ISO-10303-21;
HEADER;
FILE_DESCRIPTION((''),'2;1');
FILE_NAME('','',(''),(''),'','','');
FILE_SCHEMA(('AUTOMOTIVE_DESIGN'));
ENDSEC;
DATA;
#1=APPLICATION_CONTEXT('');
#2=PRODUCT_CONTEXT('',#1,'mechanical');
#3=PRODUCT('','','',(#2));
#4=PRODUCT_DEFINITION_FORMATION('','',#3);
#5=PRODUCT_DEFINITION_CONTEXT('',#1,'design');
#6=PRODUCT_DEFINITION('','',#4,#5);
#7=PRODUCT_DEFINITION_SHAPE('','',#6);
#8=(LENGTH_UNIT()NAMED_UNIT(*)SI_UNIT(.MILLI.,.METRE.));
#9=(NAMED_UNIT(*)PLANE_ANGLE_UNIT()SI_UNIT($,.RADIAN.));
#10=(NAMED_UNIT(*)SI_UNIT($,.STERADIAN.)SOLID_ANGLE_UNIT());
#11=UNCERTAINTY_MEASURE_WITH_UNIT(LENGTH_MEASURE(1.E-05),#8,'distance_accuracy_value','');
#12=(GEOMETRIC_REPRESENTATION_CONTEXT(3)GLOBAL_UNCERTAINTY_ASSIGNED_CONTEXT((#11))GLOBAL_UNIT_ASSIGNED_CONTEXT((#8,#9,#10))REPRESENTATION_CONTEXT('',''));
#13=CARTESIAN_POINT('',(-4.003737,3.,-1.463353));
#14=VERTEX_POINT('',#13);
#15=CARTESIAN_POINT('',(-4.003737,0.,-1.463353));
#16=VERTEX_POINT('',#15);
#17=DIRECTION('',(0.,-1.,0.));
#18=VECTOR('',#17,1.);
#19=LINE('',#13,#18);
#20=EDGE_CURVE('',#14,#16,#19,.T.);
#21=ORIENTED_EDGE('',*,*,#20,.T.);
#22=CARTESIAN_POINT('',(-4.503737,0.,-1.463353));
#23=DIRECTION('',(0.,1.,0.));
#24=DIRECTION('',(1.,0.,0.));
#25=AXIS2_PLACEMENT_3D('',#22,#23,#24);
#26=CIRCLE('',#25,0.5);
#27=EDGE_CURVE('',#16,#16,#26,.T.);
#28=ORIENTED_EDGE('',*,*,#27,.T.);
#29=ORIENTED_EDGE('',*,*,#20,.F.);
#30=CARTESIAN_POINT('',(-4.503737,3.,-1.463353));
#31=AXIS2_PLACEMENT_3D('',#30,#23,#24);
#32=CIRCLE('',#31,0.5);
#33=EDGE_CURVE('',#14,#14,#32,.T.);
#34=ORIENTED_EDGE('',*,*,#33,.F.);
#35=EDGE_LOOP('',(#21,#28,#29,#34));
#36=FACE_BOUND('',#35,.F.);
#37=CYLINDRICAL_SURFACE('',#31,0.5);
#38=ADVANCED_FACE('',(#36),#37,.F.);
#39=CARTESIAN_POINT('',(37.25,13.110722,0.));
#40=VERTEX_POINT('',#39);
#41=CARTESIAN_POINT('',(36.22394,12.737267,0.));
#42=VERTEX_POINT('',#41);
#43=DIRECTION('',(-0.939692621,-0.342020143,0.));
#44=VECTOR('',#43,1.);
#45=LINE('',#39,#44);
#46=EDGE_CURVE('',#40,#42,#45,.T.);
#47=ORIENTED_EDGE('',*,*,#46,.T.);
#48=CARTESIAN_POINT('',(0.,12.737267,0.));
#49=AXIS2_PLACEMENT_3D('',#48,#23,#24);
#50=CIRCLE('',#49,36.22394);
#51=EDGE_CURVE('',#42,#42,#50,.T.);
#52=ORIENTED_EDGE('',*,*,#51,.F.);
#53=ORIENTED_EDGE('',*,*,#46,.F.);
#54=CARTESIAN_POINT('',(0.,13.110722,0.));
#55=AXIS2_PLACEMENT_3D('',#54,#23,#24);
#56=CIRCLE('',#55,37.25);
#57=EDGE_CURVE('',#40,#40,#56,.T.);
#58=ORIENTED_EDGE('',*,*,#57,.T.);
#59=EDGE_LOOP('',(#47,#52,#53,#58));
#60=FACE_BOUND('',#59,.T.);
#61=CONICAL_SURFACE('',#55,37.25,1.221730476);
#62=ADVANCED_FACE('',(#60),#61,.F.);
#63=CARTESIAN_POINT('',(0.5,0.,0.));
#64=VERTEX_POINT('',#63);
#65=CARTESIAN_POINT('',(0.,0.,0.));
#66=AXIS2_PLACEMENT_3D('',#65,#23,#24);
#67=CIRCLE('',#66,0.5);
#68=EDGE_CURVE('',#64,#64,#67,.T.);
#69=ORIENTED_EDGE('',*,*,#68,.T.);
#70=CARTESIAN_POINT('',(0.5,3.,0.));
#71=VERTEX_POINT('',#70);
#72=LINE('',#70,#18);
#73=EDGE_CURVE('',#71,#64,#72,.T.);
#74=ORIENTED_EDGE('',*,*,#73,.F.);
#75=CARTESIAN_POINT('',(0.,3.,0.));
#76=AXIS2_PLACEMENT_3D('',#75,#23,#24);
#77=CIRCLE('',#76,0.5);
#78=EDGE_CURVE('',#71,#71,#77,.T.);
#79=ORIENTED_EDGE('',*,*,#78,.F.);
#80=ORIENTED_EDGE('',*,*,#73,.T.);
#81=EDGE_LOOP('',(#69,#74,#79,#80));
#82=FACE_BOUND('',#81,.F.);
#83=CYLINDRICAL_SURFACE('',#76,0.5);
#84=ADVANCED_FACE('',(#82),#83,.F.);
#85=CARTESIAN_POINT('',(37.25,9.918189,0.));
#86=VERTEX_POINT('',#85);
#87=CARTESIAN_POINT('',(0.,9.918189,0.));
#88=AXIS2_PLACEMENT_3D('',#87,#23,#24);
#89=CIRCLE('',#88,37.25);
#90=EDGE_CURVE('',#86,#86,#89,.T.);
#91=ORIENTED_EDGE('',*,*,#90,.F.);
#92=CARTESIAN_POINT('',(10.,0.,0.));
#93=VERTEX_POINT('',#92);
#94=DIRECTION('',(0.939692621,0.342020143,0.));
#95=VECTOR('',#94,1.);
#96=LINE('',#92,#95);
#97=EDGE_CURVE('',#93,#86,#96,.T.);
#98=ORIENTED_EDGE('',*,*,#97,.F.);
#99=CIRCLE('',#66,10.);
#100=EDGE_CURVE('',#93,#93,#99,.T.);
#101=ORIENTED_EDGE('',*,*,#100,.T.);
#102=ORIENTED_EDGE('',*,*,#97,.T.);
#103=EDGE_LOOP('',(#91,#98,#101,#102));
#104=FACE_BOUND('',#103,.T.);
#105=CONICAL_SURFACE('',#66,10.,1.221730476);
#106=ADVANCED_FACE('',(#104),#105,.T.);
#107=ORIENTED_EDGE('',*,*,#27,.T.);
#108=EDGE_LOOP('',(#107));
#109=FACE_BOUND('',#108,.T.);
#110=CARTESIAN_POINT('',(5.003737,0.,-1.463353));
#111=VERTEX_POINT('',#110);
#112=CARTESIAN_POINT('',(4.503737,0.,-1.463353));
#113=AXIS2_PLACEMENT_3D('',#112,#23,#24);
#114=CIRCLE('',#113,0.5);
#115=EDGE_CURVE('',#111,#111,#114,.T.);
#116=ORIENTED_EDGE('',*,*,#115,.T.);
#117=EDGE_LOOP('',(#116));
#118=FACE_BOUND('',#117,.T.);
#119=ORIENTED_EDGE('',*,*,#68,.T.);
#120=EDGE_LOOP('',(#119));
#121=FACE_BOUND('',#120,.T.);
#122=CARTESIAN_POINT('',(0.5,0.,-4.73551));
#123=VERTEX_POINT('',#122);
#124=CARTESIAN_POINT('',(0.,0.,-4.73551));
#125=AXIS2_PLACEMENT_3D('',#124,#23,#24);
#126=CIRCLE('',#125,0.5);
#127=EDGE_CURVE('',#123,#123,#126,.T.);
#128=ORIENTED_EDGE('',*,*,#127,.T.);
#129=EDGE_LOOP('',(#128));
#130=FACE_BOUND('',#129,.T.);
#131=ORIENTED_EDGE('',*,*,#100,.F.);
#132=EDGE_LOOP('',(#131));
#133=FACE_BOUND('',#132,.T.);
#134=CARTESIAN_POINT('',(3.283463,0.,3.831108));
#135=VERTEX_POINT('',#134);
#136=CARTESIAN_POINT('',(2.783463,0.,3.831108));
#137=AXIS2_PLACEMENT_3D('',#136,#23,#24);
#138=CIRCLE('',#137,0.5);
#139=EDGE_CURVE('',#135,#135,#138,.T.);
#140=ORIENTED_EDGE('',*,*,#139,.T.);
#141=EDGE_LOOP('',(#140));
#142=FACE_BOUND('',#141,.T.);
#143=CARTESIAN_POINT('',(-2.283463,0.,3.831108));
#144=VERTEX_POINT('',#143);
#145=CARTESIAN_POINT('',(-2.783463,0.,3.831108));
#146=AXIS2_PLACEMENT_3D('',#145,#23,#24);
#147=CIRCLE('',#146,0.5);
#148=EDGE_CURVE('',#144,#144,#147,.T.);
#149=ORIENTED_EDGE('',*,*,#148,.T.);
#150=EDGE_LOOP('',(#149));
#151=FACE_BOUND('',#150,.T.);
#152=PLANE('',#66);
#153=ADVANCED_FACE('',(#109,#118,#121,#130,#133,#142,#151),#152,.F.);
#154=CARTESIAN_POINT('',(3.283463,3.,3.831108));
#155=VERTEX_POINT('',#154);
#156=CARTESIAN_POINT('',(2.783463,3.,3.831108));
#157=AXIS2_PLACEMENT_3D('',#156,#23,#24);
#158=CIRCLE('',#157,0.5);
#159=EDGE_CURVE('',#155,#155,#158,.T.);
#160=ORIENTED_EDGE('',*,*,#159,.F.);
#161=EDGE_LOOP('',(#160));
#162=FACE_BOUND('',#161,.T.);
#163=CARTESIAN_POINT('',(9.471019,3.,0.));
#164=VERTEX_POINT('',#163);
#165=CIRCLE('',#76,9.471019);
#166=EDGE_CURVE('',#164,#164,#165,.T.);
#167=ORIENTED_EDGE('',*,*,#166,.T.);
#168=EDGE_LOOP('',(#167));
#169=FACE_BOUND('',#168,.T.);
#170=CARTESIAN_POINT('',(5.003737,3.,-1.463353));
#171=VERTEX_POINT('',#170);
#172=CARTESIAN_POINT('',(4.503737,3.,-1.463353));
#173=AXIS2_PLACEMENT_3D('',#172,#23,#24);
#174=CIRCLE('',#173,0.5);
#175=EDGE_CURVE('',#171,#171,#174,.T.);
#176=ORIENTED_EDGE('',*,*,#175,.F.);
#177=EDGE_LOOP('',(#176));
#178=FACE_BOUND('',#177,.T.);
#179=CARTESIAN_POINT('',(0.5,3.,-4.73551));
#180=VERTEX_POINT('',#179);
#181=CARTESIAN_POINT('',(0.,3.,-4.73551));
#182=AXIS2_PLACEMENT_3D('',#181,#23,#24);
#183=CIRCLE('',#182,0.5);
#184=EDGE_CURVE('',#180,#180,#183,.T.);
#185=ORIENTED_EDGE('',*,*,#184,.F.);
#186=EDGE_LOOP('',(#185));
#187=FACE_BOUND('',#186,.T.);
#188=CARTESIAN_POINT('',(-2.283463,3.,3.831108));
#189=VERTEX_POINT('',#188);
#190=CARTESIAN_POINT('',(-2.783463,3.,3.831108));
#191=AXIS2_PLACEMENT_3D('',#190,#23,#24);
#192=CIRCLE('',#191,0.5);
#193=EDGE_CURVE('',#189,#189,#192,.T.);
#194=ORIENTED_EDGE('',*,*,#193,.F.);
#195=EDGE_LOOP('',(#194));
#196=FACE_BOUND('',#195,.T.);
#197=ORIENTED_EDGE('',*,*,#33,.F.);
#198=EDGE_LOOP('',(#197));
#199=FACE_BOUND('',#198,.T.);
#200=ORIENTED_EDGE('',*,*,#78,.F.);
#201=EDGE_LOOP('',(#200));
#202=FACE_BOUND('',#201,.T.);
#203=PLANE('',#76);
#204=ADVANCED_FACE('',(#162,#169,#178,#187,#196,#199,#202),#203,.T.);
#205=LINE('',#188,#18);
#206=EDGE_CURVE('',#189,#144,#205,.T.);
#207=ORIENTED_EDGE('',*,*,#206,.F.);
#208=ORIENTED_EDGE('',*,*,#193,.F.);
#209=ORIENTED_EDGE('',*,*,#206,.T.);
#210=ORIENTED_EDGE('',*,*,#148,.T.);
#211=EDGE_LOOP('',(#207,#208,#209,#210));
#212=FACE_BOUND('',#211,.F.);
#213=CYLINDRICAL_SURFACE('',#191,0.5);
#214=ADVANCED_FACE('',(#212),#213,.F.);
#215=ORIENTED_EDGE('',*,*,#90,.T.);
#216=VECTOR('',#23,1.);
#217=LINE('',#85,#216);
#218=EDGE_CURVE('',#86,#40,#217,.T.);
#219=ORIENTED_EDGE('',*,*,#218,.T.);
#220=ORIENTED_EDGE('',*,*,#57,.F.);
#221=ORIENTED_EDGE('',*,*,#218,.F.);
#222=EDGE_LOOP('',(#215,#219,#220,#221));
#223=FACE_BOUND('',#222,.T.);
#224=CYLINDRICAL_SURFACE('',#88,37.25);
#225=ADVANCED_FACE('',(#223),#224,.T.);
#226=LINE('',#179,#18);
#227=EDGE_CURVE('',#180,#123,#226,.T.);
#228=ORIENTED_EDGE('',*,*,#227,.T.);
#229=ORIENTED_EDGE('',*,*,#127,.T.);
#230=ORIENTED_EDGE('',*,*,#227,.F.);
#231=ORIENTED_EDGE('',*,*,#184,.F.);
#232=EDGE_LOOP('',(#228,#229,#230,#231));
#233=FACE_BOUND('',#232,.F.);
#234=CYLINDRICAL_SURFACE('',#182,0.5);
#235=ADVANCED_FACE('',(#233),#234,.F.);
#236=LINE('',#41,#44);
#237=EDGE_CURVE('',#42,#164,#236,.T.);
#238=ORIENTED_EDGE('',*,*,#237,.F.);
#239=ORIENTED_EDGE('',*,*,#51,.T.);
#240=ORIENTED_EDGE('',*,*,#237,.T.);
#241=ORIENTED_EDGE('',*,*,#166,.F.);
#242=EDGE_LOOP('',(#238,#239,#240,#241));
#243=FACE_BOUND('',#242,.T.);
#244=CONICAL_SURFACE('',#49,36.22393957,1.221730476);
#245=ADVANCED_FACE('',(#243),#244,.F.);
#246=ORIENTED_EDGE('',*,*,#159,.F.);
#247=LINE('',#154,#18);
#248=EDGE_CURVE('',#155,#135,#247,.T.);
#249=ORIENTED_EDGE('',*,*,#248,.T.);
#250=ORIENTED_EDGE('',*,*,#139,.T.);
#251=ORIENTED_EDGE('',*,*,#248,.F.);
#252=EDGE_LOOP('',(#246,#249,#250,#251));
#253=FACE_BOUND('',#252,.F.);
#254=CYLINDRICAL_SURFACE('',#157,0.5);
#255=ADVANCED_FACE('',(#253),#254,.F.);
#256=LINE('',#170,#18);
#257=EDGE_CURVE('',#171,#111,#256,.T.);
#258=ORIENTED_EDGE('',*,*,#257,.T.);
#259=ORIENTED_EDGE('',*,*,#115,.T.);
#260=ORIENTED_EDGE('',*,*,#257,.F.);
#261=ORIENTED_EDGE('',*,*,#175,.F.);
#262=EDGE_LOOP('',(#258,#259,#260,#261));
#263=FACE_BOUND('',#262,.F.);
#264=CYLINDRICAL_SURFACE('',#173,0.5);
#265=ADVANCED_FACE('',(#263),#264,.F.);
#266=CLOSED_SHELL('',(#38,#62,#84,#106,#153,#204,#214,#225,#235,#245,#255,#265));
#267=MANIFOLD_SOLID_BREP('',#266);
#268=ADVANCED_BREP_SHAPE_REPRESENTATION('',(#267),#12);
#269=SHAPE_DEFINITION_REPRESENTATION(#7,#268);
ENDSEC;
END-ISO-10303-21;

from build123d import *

# Parameters (mm, degrees)
SKETCH2_R          = 0.5
CUT_EXTRUDE1_DEPTH = 18


with BuildPart() as part:
    # Sketch1 → Revolve1 (revolve)
    with BuildSketch(Plane.XY):
        Polygon((0, 0), (10, 0), (37.25, 9.918188884), (37.25, 13.110722201), (36.22393957, 12.737266746), (9.471019058, 3), (0, 3), align=None)
    revolve(axis=Axis((0, 0, 0), (0, 1, 0)))

    # Sketch2 → Cut-Extrude1 (cut)
    with BuildSketch(Plane(origin=(0, 3, 0), x_dir=(1, 0, 0), z_dir=(0, 1, 0))):
        with Locations((0, 4.735509529)):
            Circle(SKETCH2_R)
        Circle(SKETCH2_R)
        with Locations((4.503737195, 1.463352921)):
            Circle(SKETCH2_R)
        with Locations((2.783462663, -3.831107686)):
            Circle(SKETCH2_R)
        with Locations((-2.783462663, -3.831107686)):
            Circle(SKETCH2_R)
        with Locations((-4.503737195, 1.463352921)):
            Circle(SKETCH2_R)
    extrude(amount=-CUT_EXTRUDE1_DEPTH, mode=Mode.SUBTRACT)


solid = part.part
